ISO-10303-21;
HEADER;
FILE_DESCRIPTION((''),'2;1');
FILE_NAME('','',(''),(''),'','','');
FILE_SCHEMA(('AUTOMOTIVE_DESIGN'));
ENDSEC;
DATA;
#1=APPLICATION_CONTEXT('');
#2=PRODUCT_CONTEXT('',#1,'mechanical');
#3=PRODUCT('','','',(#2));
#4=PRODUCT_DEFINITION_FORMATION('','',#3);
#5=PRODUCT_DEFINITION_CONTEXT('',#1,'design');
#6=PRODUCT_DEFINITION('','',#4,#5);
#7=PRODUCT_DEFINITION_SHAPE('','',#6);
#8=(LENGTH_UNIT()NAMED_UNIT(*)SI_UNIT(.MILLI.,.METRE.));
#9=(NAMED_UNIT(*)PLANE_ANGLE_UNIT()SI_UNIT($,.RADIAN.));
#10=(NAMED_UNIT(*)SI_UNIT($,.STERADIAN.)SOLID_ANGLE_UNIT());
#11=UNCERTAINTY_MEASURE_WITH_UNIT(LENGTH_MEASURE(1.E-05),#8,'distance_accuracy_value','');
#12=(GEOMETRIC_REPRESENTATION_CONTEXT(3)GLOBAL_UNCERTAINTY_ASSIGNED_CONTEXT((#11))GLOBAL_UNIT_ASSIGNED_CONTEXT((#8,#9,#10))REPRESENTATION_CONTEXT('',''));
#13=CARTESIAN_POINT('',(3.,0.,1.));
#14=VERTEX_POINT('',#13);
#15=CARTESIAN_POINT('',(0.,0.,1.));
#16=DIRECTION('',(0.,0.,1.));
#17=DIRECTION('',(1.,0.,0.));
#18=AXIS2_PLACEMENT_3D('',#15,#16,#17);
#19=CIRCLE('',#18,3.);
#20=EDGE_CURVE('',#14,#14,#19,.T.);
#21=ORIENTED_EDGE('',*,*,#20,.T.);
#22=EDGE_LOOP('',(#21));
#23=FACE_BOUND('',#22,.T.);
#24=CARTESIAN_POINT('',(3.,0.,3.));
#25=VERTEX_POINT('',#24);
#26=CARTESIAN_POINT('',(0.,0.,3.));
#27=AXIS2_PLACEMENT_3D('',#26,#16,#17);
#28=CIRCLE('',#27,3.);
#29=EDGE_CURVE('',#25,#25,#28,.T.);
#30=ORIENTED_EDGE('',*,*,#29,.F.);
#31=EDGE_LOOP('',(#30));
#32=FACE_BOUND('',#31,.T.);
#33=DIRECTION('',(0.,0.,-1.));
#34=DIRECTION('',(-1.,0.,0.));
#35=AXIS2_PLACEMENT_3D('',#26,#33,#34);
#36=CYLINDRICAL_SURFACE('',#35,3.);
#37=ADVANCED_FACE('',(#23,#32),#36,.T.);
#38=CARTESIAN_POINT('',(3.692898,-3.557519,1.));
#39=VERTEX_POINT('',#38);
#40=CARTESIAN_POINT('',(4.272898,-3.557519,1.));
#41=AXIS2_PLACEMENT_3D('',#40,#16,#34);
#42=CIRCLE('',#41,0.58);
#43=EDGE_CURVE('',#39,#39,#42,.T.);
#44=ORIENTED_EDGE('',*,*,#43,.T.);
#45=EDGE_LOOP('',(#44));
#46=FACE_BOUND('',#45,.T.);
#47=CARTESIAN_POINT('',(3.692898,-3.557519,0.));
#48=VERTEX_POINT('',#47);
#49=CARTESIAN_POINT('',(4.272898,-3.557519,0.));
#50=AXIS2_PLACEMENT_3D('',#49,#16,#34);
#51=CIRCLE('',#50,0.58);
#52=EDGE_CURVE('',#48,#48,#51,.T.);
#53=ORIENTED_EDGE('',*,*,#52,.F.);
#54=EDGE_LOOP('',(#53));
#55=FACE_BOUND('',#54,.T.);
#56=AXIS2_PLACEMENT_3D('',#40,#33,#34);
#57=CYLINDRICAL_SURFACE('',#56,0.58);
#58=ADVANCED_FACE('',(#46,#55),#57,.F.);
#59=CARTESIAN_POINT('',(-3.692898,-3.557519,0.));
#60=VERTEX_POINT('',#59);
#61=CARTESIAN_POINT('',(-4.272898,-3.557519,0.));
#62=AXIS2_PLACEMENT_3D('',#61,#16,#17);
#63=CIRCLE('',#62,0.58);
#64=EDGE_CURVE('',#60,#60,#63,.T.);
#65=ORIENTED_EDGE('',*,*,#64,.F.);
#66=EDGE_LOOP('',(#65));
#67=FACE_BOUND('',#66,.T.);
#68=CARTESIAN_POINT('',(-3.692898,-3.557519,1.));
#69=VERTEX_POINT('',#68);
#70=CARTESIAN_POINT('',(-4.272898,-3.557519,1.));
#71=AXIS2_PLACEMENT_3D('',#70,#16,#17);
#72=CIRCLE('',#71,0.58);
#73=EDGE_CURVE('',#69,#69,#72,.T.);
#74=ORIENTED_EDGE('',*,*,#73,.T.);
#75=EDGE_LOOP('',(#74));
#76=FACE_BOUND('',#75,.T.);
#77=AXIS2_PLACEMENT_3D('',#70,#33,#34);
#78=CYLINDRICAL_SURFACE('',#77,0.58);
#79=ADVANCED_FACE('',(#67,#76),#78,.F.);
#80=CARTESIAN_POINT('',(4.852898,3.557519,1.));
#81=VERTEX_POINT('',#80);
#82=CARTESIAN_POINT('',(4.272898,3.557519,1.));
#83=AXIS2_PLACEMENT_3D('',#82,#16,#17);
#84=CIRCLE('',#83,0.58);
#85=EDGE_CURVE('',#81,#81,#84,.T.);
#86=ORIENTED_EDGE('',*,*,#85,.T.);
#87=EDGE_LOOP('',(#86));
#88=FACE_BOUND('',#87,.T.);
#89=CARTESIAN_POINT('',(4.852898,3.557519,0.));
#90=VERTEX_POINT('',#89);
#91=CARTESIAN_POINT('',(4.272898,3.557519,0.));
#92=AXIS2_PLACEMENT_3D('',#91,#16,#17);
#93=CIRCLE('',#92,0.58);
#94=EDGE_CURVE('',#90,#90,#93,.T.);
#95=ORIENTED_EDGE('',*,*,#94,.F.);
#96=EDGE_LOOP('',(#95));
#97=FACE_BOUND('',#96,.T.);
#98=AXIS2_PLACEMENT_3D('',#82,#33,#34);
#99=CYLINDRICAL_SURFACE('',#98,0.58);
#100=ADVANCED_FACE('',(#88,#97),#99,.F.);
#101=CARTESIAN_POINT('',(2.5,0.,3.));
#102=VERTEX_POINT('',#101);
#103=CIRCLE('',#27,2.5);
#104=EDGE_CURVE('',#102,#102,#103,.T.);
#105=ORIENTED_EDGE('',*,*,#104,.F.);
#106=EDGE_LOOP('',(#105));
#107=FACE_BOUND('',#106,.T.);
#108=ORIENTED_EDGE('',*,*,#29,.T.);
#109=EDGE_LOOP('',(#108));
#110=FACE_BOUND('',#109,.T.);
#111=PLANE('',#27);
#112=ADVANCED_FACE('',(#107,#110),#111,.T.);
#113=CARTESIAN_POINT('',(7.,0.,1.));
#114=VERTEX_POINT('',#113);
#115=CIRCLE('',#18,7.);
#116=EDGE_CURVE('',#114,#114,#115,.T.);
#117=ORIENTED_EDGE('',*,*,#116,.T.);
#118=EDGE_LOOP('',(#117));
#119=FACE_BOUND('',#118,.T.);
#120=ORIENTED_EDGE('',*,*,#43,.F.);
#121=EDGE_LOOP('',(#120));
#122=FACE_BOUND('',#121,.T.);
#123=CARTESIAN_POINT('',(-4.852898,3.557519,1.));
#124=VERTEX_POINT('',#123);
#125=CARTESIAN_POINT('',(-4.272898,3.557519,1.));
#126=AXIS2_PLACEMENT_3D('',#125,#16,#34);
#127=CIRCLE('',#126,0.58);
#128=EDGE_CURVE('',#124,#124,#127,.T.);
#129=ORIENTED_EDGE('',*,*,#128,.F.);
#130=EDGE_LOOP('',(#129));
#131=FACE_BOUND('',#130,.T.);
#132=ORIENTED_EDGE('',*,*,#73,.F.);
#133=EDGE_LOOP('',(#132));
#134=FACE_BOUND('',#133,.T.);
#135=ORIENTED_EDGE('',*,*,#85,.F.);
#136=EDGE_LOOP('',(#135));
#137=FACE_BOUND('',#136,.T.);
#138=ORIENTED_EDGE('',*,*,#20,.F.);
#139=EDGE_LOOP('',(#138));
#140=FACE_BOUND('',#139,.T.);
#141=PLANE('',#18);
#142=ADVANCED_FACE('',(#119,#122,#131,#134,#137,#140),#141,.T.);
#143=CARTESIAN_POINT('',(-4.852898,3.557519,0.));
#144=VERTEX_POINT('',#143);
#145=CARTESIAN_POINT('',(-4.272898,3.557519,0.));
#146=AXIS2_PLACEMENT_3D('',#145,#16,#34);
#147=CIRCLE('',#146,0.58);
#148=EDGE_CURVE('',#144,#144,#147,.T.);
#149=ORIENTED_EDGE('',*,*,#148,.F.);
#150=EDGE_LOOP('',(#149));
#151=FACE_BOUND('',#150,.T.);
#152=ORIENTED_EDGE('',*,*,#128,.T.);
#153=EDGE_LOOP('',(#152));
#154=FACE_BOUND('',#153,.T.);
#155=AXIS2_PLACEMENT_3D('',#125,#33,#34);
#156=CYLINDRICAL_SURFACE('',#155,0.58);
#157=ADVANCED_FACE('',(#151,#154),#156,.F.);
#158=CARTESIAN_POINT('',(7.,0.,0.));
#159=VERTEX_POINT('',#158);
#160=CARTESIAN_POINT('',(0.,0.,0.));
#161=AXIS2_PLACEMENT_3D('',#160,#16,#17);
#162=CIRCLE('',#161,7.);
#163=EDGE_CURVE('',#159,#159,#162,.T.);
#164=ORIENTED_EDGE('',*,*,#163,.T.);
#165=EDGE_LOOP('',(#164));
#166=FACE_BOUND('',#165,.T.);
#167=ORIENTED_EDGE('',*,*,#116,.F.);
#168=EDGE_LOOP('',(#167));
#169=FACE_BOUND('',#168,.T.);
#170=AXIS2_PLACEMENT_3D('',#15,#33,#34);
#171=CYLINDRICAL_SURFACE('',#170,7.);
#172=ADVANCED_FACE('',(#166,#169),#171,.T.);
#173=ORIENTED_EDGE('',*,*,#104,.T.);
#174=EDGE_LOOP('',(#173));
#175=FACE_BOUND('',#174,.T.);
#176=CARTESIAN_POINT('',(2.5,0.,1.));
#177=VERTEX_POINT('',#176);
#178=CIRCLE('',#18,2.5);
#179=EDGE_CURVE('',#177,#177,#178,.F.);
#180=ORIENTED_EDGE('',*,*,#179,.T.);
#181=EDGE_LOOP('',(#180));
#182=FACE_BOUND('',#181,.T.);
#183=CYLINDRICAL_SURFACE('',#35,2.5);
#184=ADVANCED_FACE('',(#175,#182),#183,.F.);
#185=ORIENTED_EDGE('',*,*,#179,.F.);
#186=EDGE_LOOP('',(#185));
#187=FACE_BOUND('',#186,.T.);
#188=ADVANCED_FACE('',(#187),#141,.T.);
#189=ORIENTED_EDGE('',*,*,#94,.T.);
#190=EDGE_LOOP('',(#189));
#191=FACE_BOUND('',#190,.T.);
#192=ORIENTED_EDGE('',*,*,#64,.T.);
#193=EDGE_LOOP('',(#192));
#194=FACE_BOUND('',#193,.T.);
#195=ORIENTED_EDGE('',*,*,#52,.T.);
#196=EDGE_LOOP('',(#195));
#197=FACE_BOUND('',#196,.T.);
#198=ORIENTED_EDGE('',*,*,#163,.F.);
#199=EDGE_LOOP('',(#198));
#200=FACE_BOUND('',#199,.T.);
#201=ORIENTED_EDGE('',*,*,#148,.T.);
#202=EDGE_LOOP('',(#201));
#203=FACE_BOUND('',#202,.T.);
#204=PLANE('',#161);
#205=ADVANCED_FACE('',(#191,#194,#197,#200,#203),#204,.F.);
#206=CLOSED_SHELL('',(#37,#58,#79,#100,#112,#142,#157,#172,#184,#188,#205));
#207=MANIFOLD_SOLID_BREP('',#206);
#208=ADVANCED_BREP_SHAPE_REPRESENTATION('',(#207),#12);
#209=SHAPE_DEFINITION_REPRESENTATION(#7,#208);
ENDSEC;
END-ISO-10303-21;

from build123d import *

# Parameters (mm, degrees)
SKETCH2_R           = 7
SKETCH2_R_2         = 0.58
BOSS_EXTRUDE1_DEPTH = 1
SKETCH3_R           = 3
SKETCH3_R_2         = 2.5
EXTRUDE_THIN1_DEPTH = 2


with BuildPart() as part:
    # Sketch2 → Boss-Extrude1 (new body)
    with BuildSketch(Plane.XY):
        Circle(SKETCH2_R)
        with Locations((4.27289846, 3.557518623)):
            Circle(SKETCH2_R_2, mode=Mode.SUBTRACT)
        with Locations((-4.27289846, 3.557518623)):
            Circle(SKETCH2_R_2, mode=Mode.SUBTRACT)
        with Locations((4.27289846, -3.557518623)):
            Circle(SKETCH2_R_2, mode=Mode.SUBTRACT)
        with Locations((-4.27289846, -3.557518623)):
            Circle(SKETCH2_R_2, mode=Mode.SUBTRACT)
    extrude(amount=BOSS_EXTRUDE1_DEPTH)

    # Sketch3 → Extrude-Thin1 (add)
    with BuildSketch(Plane.XY.offset(1)):
        Circle(SKETCH3_R)
        Circle(SKETCH3_R_2, mode=Mode.SUBTRACT)
    extrude(amount=EXTRUDE_THIN1_DEPTH)


solid = part.part
